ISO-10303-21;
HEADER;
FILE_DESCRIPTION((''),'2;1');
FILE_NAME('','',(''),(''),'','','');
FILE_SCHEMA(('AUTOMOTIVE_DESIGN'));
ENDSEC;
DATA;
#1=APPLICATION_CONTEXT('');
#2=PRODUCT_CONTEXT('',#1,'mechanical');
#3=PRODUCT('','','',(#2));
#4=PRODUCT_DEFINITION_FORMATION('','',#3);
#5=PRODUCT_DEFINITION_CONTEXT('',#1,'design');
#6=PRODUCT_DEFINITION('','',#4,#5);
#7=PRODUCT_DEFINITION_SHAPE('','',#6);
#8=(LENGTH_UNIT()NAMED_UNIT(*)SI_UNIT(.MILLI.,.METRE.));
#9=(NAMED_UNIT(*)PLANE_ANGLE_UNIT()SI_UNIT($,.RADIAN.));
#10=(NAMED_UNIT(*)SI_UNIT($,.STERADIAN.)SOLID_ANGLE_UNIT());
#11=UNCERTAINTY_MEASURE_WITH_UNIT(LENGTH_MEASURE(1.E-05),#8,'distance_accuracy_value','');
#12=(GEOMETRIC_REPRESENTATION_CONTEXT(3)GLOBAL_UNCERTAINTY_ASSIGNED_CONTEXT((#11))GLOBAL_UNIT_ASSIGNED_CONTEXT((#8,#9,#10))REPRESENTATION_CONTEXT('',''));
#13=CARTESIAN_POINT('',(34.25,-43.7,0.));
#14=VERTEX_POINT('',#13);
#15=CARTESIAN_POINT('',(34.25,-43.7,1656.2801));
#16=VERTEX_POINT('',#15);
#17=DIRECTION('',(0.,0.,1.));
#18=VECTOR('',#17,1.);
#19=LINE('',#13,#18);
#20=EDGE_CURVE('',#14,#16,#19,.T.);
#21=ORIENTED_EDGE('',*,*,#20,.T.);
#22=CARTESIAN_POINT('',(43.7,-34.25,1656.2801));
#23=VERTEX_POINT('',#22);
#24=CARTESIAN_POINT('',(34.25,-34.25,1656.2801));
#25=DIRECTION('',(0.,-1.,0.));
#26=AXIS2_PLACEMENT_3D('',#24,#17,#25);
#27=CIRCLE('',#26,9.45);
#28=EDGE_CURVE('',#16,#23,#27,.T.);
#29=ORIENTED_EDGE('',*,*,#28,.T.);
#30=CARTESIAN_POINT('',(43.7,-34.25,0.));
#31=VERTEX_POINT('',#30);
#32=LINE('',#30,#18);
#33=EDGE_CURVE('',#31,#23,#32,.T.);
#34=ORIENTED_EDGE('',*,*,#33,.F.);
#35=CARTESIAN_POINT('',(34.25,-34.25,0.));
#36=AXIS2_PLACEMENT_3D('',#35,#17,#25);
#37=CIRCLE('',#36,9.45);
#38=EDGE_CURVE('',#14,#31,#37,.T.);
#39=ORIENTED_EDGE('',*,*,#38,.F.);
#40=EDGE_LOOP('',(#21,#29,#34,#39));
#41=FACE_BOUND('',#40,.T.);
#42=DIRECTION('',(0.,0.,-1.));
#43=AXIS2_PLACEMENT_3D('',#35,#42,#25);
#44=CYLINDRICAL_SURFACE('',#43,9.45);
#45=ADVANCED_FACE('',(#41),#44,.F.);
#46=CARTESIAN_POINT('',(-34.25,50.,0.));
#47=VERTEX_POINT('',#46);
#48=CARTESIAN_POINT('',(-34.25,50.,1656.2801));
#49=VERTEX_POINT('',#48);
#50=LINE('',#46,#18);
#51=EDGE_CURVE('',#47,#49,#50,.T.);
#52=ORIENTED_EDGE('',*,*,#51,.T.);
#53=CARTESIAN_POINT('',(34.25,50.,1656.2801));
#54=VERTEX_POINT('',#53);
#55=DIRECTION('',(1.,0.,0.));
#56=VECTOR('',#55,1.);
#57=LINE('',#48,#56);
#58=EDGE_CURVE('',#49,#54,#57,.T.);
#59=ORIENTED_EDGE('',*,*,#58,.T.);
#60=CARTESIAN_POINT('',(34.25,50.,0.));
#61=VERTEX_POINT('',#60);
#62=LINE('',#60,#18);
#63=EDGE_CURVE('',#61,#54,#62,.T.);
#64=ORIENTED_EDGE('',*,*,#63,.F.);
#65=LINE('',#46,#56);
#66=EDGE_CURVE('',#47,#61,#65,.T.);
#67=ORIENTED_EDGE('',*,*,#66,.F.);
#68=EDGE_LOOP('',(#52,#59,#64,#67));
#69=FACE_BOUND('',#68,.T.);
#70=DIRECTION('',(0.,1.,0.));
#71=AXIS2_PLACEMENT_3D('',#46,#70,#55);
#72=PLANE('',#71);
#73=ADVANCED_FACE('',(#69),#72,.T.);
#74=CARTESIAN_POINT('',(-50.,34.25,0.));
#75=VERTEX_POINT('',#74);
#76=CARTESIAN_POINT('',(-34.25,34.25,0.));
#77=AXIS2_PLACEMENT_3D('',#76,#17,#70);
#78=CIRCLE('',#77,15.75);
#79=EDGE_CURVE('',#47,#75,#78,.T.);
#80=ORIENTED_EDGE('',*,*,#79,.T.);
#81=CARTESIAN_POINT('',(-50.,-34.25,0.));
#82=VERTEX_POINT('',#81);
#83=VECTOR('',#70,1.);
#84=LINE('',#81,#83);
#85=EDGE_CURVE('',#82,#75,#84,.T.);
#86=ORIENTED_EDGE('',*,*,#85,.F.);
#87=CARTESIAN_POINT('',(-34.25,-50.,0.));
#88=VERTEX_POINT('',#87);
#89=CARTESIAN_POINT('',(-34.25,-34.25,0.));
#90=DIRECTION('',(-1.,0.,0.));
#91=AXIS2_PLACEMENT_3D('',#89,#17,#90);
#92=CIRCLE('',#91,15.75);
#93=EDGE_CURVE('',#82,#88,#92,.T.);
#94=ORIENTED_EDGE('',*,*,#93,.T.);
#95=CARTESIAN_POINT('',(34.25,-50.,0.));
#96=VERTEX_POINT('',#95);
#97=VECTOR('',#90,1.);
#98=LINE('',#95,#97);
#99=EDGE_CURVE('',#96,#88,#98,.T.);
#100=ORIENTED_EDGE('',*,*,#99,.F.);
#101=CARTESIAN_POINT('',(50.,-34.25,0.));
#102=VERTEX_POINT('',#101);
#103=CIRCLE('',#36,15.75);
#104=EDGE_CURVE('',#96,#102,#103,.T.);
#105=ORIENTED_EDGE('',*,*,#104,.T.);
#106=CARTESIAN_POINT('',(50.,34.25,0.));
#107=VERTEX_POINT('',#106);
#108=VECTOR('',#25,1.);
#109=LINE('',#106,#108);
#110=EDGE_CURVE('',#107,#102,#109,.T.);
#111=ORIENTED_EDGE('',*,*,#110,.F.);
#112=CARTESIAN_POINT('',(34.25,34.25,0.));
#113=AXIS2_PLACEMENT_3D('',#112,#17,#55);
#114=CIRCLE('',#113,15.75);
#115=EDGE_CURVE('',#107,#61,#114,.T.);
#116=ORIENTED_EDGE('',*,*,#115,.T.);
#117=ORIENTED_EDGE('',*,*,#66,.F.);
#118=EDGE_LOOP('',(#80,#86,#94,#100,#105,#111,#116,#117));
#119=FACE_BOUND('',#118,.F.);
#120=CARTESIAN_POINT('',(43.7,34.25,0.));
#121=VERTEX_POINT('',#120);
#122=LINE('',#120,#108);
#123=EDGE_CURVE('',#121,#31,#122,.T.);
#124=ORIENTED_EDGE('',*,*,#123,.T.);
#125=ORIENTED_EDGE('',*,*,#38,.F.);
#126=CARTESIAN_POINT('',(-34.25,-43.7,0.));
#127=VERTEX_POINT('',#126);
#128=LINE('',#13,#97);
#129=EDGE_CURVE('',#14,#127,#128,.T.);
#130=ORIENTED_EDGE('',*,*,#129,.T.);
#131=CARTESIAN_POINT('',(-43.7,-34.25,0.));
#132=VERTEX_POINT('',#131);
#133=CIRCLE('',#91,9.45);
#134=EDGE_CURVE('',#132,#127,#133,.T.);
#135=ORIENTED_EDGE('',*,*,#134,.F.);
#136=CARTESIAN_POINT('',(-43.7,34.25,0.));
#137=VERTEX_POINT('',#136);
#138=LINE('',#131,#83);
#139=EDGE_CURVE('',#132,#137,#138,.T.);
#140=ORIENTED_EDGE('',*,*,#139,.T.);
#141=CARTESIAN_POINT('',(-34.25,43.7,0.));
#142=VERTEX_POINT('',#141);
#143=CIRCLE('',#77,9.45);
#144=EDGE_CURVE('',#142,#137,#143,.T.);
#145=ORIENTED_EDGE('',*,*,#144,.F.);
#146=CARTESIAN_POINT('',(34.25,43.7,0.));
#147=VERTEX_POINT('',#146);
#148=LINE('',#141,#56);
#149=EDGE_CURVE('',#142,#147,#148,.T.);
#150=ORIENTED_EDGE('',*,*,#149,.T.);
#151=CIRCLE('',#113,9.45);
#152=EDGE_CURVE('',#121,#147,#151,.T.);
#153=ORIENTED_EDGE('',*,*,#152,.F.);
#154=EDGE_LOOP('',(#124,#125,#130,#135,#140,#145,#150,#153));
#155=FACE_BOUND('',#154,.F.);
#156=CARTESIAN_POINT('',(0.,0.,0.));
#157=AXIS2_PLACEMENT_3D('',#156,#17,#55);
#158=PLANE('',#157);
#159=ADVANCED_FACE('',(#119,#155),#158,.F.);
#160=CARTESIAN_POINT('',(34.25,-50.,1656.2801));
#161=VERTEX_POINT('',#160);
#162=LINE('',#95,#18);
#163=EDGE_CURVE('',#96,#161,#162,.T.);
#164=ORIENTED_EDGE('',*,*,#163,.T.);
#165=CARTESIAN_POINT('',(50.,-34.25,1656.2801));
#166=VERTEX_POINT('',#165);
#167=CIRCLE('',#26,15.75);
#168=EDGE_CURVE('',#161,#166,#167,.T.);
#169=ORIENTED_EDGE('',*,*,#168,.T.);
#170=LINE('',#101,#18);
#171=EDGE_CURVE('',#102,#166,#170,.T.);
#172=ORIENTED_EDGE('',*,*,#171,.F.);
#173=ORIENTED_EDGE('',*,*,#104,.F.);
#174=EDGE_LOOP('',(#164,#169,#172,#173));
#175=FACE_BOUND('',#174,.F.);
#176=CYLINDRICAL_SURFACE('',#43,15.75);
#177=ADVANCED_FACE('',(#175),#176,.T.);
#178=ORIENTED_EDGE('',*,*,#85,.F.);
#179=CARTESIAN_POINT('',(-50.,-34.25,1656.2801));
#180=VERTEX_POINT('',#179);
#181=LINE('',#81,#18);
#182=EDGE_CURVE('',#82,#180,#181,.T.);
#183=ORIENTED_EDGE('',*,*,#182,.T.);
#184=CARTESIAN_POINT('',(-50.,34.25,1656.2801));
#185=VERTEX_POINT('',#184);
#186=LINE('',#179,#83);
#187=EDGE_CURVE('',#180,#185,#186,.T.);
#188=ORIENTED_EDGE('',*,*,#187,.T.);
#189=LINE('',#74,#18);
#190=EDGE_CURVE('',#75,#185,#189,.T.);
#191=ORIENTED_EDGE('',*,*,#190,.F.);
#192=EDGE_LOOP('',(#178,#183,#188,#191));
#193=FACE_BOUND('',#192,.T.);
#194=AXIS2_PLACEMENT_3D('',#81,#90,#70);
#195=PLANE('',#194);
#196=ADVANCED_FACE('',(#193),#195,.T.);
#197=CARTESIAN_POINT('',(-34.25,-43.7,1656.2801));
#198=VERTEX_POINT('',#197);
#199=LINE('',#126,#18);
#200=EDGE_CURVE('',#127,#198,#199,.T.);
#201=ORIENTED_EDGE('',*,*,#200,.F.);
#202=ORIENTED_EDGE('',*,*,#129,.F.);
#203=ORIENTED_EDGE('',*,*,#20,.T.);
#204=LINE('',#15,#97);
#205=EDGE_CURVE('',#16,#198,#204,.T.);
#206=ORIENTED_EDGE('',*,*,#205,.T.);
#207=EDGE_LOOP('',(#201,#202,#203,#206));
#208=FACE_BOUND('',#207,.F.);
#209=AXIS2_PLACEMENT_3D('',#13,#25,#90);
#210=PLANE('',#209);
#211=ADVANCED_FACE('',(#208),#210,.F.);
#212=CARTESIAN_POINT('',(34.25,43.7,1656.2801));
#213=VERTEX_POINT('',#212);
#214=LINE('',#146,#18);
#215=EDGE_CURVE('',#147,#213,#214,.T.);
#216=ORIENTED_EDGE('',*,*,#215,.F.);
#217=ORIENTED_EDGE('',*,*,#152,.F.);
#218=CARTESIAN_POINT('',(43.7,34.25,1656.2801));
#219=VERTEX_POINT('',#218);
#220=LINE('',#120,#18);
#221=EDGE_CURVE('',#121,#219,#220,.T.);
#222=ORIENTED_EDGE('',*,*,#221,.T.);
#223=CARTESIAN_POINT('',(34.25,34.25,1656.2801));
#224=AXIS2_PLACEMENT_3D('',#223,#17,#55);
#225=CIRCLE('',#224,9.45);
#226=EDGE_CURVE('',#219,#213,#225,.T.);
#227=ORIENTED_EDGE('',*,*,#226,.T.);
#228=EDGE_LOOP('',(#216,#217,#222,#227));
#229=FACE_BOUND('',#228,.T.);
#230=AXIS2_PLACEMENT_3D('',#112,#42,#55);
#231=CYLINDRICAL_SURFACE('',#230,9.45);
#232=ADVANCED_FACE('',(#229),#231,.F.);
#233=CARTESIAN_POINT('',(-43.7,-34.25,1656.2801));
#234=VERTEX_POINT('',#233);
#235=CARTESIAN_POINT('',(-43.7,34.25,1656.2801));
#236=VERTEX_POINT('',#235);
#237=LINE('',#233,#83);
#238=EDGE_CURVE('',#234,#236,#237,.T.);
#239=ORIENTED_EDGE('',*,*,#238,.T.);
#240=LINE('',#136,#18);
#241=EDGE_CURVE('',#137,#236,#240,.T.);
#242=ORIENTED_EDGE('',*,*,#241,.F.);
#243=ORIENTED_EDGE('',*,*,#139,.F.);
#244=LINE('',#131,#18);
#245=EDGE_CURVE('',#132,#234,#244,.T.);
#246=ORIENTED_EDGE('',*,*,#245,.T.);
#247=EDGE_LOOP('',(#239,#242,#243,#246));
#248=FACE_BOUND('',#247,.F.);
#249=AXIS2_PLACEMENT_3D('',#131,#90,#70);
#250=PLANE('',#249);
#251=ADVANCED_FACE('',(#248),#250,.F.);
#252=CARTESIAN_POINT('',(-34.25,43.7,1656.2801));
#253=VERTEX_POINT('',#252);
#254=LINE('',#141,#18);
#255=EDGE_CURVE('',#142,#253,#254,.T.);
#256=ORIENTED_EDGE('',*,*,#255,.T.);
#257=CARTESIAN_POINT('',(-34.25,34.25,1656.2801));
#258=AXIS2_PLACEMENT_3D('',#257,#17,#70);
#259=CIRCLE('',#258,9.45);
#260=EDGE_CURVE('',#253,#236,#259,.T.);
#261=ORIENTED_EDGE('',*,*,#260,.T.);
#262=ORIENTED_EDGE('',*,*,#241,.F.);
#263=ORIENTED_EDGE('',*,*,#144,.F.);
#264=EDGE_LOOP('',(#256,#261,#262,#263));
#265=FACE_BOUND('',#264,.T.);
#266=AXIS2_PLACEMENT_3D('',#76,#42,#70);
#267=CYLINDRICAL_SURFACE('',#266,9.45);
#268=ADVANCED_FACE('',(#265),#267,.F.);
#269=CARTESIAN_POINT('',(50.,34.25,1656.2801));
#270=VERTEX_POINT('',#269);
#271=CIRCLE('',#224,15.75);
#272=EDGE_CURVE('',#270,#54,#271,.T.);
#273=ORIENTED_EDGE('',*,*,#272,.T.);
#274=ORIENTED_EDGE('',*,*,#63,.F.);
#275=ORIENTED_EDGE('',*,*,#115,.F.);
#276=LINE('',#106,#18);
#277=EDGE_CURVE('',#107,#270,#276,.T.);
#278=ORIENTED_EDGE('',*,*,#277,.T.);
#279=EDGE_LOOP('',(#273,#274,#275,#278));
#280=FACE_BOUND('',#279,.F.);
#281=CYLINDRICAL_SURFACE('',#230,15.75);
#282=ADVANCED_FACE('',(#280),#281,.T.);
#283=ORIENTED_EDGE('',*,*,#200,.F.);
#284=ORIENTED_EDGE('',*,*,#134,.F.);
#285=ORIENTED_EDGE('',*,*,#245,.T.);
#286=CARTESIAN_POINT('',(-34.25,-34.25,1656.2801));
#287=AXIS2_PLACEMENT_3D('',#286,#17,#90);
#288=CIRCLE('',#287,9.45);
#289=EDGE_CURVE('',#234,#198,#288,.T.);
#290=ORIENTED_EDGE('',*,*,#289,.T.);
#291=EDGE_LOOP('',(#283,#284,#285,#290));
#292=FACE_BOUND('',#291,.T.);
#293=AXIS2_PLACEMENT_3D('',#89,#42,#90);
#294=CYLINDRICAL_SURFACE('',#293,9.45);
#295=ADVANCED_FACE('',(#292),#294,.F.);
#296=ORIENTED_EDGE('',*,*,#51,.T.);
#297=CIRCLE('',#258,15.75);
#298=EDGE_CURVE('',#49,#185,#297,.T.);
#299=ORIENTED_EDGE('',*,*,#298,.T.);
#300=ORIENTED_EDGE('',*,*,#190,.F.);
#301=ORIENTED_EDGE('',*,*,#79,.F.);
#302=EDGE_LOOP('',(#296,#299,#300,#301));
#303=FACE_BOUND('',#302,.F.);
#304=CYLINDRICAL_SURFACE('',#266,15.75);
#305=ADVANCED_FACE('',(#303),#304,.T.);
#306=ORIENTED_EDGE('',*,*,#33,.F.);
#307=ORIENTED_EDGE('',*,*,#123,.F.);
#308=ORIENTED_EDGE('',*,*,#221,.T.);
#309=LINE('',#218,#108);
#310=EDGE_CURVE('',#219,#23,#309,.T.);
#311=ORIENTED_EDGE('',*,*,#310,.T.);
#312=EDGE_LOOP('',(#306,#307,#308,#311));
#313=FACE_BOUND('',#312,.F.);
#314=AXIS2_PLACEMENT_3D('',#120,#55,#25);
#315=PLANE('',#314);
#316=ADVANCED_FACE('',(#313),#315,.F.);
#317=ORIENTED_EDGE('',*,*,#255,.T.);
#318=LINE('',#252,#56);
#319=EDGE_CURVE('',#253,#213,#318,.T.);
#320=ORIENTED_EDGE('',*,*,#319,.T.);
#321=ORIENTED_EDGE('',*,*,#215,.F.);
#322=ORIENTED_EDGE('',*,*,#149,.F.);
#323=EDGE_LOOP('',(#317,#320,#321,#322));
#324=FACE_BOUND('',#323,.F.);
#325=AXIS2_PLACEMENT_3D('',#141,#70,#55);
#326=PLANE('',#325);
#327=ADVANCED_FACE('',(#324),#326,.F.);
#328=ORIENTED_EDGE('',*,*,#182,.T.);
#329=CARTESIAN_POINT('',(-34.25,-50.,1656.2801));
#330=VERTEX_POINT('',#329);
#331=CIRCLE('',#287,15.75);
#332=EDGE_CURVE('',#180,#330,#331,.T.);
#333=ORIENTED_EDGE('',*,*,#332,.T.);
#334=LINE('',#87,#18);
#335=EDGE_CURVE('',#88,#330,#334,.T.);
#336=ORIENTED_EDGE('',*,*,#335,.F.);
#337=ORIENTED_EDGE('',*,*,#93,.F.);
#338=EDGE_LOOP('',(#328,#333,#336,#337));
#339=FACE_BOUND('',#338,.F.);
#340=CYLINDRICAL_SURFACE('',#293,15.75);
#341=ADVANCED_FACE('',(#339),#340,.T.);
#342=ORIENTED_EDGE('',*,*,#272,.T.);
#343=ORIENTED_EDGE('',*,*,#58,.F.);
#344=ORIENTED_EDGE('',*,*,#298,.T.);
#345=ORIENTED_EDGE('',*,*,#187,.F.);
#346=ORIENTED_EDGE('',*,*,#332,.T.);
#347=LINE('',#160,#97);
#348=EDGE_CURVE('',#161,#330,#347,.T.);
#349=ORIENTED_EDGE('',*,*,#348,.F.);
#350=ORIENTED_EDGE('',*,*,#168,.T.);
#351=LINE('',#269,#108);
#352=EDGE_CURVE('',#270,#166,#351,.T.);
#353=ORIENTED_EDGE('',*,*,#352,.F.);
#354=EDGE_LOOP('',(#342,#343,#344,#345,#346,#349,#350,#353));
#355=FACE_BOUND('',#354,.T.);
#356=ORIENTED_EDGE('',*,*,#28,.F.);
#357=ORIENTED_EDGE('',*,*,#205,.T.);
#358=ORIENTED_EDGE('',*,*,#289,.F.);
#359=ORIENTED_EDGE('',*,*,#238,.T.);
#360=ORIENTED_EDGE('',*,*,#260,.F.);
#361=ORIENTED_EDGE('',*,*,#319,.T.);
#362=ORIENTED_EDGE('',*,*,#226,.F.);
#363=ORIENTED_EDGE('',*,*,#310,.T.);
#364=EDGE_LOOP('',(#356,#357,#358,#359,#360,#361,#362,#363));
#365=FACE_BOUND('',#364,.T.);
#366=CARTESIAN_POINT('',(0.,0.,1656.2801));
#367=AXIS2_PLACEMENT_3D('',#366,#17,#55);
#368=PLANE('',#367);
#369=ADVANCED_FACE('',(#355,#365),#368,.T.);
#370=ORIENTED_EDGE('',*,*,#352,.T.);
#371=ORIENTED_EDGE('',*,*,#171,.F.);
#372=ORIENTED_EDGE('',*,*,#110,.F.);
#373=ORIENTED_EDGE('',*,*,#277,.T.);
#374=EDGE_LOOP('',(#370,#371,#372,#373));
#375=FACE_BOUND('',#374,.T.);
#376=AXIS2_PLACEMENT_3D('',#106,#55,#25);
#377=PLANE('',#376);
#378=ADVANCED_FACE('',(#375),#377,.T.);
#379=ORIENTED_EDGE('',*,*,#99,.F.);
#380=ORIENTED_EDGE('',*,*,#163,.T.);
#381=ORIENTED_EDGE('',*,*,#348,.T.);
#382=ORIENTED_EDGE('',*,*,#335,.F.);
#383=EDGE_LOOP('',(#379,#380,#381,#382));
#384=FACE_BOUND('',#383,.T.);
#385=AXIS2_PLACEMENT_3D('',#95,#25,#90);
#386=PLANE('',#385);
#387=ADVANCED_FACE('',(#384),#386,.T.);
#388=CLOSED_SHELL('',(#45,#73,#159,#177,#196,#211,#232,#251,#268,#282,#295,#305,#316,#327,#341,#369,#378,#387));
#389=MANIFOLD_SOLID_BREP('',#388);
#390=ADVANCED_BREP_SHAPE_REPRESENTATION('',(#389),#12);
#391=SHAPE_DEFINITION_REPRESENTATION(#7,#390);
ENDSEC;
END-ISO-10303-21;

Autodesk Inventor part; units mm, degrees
ref_plane "YZ Plane" through (0, 0, 0) normal (1, 0, 0) x (0, 1, 0)
ref_plane "Start Plane" through (0, 0, 0) normal (0, 0, 1) x (1, 0, 0)
ref_plane "End Plane" through (0, 0, 1656.2801) normal (0, 0, 1) x (1, 0, 0)
sketch "Sketch" plane through (0, 0, 0) normal (0, 0, 1) x (1, 0, 0)
  line L0 (-50, -34.25) -> (-50, 34.25)
  line L1 (-34.25, 50) -> (34.25, 50)
  line L2 (50, 34.25) -> (50, -34.25)
  line L3 (34.25, -50) -> (-34.25, -50)
  arc A0 (-50, -34.25) -> (-34.25, -50) centre (-34.25, -34.25) ccw
  arc A1 (50, 34.25) -> (34.25, 50) centre (34.25, 34.25) ccw
  arc A2 (-34.25, 50) -> (-50, 34.25) centre (-34.25, 34.25) ccw
  arc A3 (34.25, -50) -> (50, -34.25) centre (34.25, -34.25) ccw
  arc A4 (-34.25, 43.7) -> (-43.7, 34.25) centre (-34.25, 34.25) ccw
  line L4 (-34.25, 43.7) -> (34.25, 43.7)
  arc A5 (43.7, 34.25) -> (34.25, 43.7) centre (34.25, 34.25) ccw
  line L5 (43.7, 34.25) -> (43.7, -34.25)
  arc A6 (34.25, -43.7) -> (43.7, -34.25) centre (34.25, -34.25) ccw
  line L6 (34.25, -43.7) -> (-34.25, -43.7)
  arc A7 (-43.7, -34.25) -> (-34.25, -43.7) centre (-34.25, -34.25) ccw
  line L7 (-43.7, -34.25) -> (-43.7, 34.25)
  line L8 (0, 74.5667) -> (0, -74.5667) construction
  line L9 (-74.5667, 0) -> (74.5667, 0) construction
  dimension "d7" = 15.75
  dimension "d9" = 100
  dimension "d11" = 100
  dimension "d12" = 6.3
  dimension "d15" = 50
  dimension "d16" = 50
extrude "Body" add sketch "Sketch" along normal up to surface (1656.2801 mm away) from surface at 0
sketch "Sketch3" plane through (0, 0, 0) normal (0, 0, 1) x (1, 0, 0)
  line L0 (0, 0) -> (10, 0)
ref_plane "Work Plane3" through (0, 0, 0) normal (0, -1, 0) x (1, 0, 0)
sketch "Sketch4" plane through (0, 0, 0) normal (0, -1, 0) x (1, 0, 0)
  line L0 (-2, 0) -> (12, 0)
  line L1 (-2, 1656.2801) -> (12, 1656.2801)
  dimension "d18" = 1656.2801
equation "\"d7\" = G_IR"
equation "\"d9\" = G_W"
equation "\"d11\" = G_H"
equation "\"d12\" = G_T"
equation "\"d15\" = 0.5 * d9"
equation "\"d16\" = 0.5 * d11"
equation "\"d3\" = G_L"
equation "\"G_W\" = 100"
equation "\"G_H\" = 100"
equation "\"G_T\" = 6.3"
equation "\"G_IR\" = 15.75"
equation "\"G_L\" = d18"
equation "\"G_OFFSET_START\" = 0"
equation "\"G_OFFSET_END\" = 0"
equation "\"d14\" = G_OFFSET_END + B_L"
equation "\"B_L\" = 1656.28007"
properties part number "ISO 4019 - 100x100x6.3 - 1656.28" material "Steel, Mild"
